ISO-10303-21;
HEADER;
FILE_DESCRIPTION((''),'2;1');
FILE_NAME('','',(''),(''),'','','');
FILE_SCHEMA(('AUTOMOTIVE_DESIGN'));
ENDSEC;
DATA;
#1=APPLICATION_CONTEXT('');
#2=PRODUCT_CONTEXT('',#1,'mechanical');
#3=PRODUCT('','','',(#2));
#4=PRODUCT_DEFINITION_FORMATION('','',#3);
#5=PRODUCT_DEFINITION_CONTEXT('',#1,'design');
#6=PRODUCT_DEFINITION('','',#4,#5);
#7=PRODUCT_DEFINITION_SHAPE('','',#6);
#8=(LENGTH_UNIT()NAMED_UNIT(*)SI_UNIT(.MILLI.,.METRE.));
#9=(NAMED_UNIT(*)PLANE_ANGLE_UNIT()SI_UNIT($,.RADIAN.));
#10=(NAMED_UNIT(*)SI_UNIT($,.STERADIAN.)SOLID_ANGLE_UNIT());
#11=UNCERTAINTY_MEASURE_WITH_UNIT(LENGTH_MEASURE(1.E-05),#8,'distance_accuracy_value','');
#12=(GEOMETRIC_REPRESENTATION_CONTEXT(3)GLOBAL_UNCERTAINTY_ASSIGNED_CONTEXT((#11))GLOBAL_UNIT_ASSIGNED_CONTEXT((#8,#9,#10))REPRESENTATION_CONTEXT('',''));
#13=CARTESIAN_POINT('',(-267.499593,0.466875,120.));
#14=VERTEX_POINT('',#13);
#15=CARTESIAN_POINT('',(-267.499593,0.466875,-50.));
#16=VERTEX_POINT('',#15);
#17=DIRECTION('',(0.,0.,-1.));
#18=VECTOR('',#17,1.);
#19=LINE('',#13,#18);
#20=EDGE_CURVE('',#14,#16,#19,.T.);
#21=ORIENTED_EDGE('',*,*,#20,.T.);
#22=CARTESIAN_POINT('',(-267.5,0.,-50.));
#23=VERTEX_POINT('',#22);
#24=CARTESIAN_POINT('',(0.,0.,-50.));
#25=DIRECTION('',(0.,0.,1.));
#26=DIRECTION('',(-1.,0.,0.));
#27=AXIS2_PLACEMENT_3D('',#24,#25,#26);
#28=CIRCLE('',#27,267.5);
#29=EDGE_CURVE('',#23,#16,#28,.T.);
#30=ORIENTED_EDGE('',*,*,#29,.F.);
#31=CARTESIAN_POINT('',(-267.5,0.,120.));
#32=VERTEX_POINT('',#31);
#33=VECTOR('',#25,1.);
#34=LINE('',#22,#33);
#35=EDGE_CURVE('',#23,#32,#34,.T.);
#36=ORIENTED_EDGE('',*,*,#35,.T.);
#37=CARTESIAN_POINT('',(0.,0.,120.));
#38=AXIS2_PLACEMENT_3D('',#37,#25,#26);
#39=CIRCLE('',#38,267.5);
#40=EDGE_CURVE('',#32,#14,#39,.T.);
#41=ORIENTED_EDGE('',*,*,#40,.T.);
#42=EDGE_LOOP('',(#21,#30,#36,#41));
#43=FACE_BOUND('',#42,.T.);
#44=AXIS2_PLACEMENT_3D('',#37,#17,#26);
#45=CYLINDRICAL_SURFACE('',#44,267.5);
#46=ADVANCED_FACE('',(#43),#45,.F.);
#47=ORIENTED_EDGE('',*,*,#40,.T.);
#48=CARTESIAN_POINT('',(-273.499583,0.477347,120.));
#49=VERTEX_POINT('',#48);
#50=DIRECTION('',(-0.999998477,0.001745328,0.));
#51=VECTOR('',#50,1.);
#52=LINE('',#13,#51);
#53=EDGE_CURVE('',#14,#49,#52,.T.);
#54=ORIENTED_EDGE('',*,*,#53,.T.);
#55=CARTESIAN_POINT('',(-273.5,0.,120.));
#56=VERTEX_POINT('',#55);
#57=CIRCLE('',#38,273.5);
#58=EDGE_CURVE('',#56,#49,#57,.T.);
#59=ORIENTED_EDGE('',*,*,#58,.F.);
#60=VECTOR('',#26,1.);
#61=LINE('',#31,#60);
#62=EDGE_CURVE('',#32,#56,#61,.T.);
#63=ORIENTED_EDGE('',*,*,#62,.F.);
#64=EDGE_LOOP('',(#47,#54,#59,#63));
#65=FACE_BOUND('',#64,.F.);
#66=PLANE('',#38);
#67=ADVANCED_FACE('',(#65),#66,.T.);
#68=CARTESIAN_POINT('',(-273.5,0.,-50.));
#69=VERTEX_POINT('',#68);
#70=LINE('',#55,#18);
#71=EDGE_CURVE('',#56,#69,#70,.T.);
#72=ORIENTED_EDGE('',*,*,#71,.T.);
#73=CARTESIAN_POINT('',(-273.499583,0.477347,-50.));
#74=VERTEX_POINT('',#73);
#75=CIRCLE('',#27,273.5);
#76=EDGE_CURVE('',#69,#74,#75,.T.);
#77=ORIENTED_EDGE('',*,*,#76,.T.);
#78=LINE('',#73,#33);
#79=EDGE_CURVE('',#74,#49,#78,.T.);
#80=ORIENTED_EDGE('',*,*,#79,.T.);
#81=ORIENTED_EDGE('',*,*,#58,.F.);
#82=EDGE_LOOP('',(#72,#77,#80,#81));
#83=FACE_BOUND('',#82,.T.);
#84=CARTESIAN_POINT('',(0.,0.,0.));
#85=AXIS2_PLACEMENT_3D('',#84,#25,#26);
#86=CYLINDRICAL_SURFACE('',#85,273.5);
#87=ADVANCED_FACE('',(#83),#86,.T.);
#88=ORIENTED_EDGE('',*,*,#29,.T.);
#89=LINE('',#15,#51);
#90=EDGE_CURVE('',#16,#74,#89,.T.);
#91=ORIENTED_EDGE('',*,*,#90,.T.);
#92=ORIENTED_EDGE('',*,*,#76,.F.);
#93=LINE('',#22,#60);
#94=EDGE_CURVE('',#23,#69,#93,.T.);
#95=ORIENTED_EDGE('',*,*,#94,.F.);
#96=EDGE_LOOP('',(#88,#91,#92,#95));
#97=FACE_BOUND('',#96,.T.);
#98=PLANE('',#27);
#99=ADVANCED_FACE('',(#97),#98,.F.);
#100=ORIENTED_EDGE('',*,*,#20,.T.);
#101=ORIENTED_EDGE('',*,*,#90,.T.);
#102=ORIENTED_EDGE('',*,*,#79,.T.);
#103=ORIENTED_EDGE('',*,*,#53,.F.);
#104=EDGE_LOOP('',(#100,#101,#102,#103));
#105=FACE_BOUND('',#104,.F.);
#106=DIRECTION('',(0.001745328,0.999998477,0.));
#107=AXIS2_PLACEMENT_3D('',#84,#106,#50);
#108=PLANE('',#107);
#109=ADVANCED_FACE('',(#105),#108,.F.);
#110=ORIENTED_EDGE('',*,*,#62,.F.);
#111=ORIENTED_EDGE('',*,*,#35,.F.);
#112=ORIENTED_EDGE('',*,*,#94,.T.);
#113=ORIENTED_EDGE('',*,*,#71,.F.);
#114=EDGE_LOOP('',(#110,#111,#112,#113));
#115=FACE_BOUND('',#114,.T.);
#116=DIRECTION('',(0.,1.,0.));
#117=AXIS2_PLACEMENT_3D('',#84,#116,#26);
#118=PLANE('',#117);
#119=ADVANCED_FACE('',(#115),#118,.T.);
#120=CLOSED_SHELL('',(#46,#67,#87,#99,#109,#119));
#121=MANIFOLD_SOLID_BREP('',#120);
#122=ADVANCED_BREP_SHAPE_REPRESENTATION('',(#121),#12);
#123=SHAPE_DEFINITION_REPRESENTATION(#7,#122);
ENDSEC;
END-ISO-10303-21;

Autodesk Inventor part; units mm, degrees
ref_plane "YZ Plane" through (0, 0, 0) normal (1, 0, 0) x (0, 1, 0)
ref_plane "XZ Plane" through (0, 0, 0) normal (0, 1, 0) x (-1, 0, 0)
ref_plane "XY Plane" through (0, 0, 0) normal (0, 0, 1) x (1, 0, 0)
sketch "Sketch1" plane through (0, 0, 0) normal (0, 1, 0) x (-1, 0, 0)
  line L0 (267.5, 120) -> (267.5, 0)
  line L1 (267.5, 0) -> (273.5, 0)
  line L2 (0, 0) -> (0, 109.131)
  line L3 (267.5, 120) -> (273.5, 120)
  line L4 (273.5, 0) -> (273.5, 120)
  line L5 (273.5, 0) -> (267.5, 0)
  line L6 (267.5, 0) -> (267.5, -50)
  line L7 (267.5, -50) -> (273.5, -50)
  line L8 (273.5, -50) -> (273.5, 0)
  point P0 (270.5, 0)
  point P1 (273.5, 0)
  point P2 (267.5, 0)
  dimension "d6" = 359.9
  dimension "d3" = 6
  dimension "d4" = 535
  dimension "d5" = 120
  dimension "d7" = 6
  dimension "d8" = 50
revolve "Revolution1" add sketch "Sketch1" angle 359.9 about axis through (0, 0, 0) along (0, 0, 1)
sketch "Sketch2" plane through (0, 0, 0) normal (0, 1, 0) x (-1, 0, 0)
  circle A0 centre (0, -476) radius 476
  point P0 (0, 0)
  dimension "d6" = 359.9
  dimension "d9" = 952
extrude "Extrusion1" [suppressed]
equation "\"d4\" = Accsess_hatch_diameter"
equation "\"d5\" = Accsess_hatch_lenght"
equation "\"d7\" = d3"
equation "\"Accsess_hatch_lenght\" = 120"
equation "\"Accsess_hatch_diameter\" = 535"
equation "\"BendRadius\" = Thickness"
equation "\"BendReliefWidth\" = Thickness"
equation "\"BendReliefDepth\" = 0.5 * Thickness"
equation "\"CornerReliefSize\" = 4 * Thickness"
equation "\"MinimumRemnant\" = 2 * Thickness"
equation "\"TransitionRadius\" = BendRadius"
equation "\"JacobiRadiusSize\" = BendRadius"
equation "\"GapSize\" = Thickness"
equation "\"Thickness\" = 6"
properties part number "SLM 1603 accses hatch tube"
